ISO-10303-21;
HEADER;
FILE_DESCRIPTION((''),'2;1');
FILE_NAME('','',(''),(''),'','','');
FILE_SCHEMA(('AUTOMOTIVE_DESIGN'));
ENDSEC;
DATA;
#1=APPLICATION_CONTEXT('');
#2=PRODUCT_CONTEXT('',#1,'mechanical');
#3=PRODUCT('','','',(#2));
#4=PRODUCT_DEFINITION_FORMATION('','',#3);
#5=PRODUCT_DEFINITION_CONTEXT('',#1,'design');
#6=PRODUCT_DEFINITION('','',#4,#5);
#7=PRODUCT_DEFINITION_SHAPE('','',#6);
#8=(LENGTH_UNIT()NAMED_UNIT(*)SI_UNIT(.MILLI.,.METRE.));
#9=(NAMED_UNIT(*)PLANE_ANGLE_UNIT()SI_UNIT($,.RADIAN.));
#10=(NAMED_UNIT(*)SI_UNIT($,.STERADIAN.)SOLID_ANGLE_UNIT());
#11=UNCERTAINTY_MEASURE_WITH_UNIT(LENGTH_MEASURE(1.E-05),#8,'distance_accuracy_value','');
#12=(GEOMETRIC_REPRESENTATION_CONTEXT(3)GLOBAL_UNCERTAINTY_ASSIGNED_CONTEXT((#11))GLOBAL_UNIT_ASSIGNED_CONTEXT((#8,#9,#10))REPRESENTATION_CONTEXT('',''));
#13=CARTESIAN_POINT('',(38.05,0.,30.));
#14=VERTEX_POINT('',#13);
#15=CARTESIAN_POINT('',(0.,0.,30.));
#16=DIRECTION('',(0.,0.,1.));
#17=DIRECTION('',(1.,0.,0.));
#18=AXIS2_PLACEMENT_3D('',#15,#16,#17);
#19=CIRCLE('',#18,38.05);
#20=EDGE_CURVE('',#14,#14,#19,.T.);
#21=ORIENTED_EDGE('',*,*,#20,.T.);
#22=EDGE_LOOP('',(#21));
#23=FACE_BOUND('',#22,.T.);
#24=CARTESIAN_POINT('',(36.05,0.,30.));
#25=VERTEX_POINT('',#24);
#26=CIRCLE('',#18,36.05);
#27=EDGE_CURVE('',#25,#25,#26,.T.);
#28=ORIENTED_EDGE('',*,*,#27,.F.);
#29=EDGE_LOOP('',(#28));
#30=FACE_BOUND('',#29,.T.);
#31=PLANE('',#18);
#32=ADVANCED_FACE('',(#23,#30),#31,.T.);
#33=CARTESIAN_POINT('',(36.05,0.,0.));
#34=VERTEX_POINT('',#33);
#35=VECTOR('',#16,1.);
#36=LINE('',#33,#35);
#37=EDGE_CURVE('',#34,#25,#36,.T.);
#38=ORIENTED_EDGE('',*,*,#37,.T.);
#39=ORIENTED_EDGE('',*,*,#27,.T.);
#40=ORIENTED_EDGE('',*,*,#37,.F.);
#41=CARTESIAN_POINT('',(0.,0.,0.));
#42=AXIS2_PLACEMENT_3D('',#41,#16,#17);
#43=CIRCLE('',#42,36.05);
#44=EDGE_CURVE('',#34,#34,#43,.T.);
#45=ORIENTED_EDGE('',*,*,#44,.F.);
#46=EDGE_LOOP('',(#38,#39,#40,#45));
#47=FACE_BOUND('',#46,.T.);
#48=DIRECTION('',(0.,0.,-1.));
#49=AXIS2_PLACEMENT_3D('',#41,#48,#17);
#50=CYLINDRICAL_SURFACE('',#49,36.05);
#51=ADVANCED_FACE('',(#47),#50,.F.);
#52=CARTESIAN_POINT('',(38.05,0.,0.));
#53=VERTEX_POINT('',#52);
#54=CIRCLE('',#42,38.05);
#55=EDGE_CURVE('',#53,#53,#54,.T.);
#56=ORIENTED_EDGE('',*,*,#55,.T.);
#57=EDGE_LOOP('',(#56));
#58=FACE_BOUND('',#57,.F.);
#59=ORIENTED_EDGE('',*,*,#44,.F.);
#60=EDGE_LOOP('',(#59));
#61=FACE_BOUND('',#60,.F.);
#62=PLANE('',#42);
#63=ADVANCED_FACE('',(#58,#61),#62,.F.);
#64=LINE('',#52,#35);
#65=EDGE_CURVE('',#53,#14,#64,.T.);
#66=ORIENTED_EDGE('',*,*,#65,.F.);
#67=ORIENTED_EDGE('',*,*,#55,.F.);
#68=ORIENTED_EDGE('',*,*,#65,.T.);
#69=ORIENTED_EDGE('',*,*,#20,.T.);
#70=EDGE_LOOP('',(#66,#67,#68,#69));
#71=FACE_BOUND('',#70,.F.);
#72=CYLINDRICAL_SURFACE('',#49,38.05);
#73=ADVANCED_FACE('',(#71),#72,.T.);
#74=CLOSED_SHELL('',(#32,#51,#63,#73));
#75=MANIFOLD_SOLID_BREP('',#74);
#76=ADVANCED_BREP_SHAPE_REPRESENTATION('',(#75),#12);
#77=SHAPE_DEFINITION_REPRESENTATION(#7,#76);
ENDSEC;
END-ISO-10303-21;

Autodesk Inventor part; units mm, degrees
ref_plane "YZ Plane" through (0, 0, 0) normal (1, 0, 0) x (0, 1, 0)
ref_plane "XZ Plane" through (0, 0, 0) normal (0, 1, 0) x (-1, 0, 0)
ref_plane "XY Plane" through (0, 0, 0) normal (0, 0, 1) x (1, 0, 0)
sketch "Sketch1" plane through (0, 0, 0) normal (0, 0, 1) x (1, 0, 0)
  circle A0 centre (0, 0) radius 38.05
  circle A1 centre (0, 0) radius 36.05
  dimension "d6" = 76.1
  dimension "d7" = 2
extrude "Extrusion1" add sketch "Sketch1" along normal blind 30
properties part number "TRM 033 star contrforce ring"
